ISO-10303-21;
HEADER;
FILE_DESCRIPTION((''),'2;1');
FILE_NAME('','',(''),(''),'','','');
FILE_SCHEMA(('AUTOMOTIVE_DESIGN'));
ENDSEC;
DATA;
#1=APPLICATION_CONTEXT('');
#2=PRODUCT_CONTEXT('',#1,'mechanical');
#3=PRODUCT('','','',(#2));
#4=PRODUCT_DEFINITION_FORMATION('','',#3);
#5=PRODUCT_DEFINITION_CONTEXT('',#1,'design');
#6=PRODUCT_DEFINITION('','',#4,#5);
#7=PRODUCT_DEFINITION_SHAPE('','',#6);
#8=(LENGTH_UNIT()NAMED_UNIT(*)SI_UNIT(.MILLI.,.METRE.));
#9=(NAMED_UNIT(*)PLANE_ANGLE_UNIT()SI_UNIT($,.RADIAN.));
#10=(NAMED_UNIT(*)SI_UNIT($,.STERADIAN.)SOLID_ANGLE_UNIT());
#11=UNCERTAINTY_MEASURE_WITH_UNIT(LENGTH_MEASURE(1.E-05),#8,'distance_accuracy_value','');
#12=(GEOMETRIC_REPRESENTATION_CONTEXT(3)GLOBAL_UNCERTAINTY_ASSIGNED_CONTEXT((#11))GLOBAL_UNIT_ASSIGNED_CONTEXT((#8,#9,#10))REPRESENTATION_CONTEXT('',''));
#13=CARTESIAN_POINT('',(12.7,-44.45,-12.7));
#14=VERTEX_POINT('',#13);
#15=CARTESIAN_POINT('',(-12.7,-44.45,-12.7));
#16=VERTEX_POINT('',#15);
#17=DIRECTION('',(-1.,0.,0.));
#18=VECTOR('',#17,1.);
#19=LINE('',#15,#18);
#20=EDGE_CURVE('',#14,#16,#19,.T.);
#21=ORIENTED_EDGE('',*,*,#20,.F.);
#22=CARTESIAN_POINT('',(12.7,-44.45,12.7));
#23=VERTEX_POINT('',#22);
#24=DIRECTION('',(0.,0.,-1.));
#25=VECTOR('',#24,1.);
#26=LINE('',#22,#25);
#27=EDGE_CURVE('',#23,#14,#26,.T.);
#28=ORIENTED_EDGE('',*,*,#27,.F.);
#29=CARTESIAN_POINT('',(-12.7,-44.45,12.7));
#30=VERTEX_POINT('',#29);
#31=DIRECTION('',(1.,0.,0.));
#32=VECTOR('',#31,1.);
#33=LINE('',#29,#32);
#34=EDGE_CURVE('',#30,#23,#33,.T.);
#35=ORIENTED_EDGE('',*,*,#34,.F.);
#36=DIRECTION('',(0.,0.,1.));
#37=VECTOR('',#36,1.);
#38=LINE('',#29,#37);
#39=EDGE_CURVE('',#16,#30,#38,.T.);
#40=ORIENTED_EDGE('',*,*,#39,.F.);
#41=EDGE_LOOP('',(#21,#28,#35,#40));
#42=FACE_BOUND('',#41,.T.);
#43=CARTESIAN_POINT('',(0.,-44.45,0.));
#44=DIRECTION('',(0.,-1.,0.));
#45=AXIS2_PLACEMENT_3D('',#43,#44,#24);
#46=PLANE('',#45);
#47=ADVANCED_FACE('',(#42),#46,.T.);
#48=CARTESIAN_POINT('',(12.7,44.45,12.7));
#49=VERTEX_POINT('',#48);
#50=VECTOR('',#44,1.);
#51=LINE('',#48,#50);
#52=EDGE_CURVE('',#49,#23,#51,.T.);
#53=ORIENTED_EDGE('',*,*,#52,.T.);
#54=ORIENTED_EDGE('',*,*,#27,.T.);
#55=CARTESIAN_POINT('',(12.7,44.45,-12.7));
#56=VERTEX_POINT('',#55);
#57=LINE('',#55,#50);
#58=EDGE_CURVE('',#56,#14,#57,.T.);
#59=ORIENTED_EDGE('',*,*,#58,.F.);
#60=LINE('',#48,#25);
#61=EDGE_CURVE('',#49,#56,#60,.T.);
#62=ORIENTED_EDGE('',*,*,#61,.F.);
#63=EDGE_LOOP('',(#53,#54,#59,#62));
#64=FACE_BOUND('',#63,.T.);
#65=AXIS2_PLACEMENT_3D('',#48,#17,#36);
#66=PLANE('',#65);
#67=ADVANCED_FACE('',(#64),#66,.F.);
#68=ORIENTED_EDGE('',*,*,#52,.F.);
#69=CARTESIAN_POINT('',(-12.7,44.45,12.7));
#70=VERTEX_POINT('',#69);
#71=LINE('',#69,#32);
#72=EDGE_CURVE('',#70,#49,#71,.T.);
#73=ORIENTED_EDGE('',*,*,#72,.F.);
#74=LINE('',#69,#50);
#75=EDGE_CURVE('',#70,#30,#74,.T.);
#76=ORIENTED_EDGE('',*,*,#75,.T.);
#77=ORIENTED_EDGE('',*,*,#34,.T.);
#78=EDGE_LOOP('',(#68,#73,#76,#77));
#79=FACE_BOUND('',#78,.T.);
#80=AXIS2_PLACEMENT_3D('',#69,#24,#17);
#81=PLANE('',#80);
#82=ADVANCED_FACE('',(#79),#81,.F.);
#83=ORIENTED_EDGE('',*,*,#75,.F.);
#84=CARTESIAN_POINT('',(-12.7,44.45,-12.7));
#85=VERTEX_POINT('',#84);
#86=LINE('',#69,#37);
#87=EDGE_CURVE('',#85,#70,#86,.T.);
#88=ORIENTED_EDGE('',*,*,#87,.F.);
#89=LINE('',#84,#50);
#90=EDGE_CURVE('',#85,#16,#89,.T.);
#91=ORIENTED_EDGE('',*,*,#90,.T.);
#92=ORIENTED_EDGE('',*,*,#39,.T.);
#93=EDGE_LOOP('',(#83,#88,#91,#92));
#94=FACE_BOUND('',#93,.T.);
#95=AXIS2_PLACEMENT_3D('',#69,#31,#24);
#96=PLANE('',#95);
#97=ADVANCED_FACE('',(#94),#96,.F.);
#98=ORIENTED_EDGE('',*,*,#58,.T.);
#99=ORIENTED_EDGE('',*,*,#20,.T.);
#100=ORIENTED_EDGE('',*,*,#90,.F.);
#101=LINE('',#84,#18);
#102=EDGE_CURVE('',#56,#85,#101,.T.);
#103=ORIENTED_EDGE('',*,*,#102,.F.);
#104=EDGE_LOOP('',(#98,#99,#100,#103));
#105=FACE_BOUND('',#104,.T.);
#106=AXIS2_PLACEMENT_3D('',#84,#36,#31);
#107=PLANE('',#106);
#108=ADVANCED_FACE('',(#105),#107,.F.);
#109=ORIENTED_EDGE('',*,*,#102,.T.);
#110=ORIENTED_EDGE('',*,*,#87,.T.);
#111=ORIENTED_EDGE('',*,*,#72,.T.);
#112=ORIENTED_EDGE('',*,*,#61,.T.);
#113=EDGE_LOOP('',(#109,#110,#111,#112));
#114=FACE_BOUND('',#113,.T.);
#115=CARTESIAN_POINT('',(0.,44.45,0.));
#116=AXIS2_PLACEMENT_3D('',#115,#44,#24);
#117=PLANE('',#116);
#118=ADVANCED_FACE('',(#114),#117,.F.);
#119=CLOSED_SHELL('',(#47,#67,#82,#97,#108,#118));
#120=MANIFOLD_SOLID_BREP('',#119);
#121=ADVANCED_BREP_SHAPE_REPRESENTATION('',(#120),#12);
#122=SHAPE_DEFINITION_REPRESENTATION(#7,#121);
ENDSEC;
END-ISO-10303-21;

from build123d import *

# Parameters (mm, degrees)
SKETCH1_W           = 25.4
SKETCH1_H           = 25.4
BOSS_EXTRUDE1_DEPTH = 44.45


with BuildPart() as part:
    # Sketch1 → Boss-Extrude1 (new, symmetric)
    with BuildSketch(Plane(origin=(0, 0, 0), x_dir=(1, 0, 0), z_dir=(0, 1, 0))):
        Rectangle(SKETCH1_W, SKETCH1_H)
    extrude(amount=BOSS_EXTRUDE1_DEPTH, both=True)


solid = part.part
